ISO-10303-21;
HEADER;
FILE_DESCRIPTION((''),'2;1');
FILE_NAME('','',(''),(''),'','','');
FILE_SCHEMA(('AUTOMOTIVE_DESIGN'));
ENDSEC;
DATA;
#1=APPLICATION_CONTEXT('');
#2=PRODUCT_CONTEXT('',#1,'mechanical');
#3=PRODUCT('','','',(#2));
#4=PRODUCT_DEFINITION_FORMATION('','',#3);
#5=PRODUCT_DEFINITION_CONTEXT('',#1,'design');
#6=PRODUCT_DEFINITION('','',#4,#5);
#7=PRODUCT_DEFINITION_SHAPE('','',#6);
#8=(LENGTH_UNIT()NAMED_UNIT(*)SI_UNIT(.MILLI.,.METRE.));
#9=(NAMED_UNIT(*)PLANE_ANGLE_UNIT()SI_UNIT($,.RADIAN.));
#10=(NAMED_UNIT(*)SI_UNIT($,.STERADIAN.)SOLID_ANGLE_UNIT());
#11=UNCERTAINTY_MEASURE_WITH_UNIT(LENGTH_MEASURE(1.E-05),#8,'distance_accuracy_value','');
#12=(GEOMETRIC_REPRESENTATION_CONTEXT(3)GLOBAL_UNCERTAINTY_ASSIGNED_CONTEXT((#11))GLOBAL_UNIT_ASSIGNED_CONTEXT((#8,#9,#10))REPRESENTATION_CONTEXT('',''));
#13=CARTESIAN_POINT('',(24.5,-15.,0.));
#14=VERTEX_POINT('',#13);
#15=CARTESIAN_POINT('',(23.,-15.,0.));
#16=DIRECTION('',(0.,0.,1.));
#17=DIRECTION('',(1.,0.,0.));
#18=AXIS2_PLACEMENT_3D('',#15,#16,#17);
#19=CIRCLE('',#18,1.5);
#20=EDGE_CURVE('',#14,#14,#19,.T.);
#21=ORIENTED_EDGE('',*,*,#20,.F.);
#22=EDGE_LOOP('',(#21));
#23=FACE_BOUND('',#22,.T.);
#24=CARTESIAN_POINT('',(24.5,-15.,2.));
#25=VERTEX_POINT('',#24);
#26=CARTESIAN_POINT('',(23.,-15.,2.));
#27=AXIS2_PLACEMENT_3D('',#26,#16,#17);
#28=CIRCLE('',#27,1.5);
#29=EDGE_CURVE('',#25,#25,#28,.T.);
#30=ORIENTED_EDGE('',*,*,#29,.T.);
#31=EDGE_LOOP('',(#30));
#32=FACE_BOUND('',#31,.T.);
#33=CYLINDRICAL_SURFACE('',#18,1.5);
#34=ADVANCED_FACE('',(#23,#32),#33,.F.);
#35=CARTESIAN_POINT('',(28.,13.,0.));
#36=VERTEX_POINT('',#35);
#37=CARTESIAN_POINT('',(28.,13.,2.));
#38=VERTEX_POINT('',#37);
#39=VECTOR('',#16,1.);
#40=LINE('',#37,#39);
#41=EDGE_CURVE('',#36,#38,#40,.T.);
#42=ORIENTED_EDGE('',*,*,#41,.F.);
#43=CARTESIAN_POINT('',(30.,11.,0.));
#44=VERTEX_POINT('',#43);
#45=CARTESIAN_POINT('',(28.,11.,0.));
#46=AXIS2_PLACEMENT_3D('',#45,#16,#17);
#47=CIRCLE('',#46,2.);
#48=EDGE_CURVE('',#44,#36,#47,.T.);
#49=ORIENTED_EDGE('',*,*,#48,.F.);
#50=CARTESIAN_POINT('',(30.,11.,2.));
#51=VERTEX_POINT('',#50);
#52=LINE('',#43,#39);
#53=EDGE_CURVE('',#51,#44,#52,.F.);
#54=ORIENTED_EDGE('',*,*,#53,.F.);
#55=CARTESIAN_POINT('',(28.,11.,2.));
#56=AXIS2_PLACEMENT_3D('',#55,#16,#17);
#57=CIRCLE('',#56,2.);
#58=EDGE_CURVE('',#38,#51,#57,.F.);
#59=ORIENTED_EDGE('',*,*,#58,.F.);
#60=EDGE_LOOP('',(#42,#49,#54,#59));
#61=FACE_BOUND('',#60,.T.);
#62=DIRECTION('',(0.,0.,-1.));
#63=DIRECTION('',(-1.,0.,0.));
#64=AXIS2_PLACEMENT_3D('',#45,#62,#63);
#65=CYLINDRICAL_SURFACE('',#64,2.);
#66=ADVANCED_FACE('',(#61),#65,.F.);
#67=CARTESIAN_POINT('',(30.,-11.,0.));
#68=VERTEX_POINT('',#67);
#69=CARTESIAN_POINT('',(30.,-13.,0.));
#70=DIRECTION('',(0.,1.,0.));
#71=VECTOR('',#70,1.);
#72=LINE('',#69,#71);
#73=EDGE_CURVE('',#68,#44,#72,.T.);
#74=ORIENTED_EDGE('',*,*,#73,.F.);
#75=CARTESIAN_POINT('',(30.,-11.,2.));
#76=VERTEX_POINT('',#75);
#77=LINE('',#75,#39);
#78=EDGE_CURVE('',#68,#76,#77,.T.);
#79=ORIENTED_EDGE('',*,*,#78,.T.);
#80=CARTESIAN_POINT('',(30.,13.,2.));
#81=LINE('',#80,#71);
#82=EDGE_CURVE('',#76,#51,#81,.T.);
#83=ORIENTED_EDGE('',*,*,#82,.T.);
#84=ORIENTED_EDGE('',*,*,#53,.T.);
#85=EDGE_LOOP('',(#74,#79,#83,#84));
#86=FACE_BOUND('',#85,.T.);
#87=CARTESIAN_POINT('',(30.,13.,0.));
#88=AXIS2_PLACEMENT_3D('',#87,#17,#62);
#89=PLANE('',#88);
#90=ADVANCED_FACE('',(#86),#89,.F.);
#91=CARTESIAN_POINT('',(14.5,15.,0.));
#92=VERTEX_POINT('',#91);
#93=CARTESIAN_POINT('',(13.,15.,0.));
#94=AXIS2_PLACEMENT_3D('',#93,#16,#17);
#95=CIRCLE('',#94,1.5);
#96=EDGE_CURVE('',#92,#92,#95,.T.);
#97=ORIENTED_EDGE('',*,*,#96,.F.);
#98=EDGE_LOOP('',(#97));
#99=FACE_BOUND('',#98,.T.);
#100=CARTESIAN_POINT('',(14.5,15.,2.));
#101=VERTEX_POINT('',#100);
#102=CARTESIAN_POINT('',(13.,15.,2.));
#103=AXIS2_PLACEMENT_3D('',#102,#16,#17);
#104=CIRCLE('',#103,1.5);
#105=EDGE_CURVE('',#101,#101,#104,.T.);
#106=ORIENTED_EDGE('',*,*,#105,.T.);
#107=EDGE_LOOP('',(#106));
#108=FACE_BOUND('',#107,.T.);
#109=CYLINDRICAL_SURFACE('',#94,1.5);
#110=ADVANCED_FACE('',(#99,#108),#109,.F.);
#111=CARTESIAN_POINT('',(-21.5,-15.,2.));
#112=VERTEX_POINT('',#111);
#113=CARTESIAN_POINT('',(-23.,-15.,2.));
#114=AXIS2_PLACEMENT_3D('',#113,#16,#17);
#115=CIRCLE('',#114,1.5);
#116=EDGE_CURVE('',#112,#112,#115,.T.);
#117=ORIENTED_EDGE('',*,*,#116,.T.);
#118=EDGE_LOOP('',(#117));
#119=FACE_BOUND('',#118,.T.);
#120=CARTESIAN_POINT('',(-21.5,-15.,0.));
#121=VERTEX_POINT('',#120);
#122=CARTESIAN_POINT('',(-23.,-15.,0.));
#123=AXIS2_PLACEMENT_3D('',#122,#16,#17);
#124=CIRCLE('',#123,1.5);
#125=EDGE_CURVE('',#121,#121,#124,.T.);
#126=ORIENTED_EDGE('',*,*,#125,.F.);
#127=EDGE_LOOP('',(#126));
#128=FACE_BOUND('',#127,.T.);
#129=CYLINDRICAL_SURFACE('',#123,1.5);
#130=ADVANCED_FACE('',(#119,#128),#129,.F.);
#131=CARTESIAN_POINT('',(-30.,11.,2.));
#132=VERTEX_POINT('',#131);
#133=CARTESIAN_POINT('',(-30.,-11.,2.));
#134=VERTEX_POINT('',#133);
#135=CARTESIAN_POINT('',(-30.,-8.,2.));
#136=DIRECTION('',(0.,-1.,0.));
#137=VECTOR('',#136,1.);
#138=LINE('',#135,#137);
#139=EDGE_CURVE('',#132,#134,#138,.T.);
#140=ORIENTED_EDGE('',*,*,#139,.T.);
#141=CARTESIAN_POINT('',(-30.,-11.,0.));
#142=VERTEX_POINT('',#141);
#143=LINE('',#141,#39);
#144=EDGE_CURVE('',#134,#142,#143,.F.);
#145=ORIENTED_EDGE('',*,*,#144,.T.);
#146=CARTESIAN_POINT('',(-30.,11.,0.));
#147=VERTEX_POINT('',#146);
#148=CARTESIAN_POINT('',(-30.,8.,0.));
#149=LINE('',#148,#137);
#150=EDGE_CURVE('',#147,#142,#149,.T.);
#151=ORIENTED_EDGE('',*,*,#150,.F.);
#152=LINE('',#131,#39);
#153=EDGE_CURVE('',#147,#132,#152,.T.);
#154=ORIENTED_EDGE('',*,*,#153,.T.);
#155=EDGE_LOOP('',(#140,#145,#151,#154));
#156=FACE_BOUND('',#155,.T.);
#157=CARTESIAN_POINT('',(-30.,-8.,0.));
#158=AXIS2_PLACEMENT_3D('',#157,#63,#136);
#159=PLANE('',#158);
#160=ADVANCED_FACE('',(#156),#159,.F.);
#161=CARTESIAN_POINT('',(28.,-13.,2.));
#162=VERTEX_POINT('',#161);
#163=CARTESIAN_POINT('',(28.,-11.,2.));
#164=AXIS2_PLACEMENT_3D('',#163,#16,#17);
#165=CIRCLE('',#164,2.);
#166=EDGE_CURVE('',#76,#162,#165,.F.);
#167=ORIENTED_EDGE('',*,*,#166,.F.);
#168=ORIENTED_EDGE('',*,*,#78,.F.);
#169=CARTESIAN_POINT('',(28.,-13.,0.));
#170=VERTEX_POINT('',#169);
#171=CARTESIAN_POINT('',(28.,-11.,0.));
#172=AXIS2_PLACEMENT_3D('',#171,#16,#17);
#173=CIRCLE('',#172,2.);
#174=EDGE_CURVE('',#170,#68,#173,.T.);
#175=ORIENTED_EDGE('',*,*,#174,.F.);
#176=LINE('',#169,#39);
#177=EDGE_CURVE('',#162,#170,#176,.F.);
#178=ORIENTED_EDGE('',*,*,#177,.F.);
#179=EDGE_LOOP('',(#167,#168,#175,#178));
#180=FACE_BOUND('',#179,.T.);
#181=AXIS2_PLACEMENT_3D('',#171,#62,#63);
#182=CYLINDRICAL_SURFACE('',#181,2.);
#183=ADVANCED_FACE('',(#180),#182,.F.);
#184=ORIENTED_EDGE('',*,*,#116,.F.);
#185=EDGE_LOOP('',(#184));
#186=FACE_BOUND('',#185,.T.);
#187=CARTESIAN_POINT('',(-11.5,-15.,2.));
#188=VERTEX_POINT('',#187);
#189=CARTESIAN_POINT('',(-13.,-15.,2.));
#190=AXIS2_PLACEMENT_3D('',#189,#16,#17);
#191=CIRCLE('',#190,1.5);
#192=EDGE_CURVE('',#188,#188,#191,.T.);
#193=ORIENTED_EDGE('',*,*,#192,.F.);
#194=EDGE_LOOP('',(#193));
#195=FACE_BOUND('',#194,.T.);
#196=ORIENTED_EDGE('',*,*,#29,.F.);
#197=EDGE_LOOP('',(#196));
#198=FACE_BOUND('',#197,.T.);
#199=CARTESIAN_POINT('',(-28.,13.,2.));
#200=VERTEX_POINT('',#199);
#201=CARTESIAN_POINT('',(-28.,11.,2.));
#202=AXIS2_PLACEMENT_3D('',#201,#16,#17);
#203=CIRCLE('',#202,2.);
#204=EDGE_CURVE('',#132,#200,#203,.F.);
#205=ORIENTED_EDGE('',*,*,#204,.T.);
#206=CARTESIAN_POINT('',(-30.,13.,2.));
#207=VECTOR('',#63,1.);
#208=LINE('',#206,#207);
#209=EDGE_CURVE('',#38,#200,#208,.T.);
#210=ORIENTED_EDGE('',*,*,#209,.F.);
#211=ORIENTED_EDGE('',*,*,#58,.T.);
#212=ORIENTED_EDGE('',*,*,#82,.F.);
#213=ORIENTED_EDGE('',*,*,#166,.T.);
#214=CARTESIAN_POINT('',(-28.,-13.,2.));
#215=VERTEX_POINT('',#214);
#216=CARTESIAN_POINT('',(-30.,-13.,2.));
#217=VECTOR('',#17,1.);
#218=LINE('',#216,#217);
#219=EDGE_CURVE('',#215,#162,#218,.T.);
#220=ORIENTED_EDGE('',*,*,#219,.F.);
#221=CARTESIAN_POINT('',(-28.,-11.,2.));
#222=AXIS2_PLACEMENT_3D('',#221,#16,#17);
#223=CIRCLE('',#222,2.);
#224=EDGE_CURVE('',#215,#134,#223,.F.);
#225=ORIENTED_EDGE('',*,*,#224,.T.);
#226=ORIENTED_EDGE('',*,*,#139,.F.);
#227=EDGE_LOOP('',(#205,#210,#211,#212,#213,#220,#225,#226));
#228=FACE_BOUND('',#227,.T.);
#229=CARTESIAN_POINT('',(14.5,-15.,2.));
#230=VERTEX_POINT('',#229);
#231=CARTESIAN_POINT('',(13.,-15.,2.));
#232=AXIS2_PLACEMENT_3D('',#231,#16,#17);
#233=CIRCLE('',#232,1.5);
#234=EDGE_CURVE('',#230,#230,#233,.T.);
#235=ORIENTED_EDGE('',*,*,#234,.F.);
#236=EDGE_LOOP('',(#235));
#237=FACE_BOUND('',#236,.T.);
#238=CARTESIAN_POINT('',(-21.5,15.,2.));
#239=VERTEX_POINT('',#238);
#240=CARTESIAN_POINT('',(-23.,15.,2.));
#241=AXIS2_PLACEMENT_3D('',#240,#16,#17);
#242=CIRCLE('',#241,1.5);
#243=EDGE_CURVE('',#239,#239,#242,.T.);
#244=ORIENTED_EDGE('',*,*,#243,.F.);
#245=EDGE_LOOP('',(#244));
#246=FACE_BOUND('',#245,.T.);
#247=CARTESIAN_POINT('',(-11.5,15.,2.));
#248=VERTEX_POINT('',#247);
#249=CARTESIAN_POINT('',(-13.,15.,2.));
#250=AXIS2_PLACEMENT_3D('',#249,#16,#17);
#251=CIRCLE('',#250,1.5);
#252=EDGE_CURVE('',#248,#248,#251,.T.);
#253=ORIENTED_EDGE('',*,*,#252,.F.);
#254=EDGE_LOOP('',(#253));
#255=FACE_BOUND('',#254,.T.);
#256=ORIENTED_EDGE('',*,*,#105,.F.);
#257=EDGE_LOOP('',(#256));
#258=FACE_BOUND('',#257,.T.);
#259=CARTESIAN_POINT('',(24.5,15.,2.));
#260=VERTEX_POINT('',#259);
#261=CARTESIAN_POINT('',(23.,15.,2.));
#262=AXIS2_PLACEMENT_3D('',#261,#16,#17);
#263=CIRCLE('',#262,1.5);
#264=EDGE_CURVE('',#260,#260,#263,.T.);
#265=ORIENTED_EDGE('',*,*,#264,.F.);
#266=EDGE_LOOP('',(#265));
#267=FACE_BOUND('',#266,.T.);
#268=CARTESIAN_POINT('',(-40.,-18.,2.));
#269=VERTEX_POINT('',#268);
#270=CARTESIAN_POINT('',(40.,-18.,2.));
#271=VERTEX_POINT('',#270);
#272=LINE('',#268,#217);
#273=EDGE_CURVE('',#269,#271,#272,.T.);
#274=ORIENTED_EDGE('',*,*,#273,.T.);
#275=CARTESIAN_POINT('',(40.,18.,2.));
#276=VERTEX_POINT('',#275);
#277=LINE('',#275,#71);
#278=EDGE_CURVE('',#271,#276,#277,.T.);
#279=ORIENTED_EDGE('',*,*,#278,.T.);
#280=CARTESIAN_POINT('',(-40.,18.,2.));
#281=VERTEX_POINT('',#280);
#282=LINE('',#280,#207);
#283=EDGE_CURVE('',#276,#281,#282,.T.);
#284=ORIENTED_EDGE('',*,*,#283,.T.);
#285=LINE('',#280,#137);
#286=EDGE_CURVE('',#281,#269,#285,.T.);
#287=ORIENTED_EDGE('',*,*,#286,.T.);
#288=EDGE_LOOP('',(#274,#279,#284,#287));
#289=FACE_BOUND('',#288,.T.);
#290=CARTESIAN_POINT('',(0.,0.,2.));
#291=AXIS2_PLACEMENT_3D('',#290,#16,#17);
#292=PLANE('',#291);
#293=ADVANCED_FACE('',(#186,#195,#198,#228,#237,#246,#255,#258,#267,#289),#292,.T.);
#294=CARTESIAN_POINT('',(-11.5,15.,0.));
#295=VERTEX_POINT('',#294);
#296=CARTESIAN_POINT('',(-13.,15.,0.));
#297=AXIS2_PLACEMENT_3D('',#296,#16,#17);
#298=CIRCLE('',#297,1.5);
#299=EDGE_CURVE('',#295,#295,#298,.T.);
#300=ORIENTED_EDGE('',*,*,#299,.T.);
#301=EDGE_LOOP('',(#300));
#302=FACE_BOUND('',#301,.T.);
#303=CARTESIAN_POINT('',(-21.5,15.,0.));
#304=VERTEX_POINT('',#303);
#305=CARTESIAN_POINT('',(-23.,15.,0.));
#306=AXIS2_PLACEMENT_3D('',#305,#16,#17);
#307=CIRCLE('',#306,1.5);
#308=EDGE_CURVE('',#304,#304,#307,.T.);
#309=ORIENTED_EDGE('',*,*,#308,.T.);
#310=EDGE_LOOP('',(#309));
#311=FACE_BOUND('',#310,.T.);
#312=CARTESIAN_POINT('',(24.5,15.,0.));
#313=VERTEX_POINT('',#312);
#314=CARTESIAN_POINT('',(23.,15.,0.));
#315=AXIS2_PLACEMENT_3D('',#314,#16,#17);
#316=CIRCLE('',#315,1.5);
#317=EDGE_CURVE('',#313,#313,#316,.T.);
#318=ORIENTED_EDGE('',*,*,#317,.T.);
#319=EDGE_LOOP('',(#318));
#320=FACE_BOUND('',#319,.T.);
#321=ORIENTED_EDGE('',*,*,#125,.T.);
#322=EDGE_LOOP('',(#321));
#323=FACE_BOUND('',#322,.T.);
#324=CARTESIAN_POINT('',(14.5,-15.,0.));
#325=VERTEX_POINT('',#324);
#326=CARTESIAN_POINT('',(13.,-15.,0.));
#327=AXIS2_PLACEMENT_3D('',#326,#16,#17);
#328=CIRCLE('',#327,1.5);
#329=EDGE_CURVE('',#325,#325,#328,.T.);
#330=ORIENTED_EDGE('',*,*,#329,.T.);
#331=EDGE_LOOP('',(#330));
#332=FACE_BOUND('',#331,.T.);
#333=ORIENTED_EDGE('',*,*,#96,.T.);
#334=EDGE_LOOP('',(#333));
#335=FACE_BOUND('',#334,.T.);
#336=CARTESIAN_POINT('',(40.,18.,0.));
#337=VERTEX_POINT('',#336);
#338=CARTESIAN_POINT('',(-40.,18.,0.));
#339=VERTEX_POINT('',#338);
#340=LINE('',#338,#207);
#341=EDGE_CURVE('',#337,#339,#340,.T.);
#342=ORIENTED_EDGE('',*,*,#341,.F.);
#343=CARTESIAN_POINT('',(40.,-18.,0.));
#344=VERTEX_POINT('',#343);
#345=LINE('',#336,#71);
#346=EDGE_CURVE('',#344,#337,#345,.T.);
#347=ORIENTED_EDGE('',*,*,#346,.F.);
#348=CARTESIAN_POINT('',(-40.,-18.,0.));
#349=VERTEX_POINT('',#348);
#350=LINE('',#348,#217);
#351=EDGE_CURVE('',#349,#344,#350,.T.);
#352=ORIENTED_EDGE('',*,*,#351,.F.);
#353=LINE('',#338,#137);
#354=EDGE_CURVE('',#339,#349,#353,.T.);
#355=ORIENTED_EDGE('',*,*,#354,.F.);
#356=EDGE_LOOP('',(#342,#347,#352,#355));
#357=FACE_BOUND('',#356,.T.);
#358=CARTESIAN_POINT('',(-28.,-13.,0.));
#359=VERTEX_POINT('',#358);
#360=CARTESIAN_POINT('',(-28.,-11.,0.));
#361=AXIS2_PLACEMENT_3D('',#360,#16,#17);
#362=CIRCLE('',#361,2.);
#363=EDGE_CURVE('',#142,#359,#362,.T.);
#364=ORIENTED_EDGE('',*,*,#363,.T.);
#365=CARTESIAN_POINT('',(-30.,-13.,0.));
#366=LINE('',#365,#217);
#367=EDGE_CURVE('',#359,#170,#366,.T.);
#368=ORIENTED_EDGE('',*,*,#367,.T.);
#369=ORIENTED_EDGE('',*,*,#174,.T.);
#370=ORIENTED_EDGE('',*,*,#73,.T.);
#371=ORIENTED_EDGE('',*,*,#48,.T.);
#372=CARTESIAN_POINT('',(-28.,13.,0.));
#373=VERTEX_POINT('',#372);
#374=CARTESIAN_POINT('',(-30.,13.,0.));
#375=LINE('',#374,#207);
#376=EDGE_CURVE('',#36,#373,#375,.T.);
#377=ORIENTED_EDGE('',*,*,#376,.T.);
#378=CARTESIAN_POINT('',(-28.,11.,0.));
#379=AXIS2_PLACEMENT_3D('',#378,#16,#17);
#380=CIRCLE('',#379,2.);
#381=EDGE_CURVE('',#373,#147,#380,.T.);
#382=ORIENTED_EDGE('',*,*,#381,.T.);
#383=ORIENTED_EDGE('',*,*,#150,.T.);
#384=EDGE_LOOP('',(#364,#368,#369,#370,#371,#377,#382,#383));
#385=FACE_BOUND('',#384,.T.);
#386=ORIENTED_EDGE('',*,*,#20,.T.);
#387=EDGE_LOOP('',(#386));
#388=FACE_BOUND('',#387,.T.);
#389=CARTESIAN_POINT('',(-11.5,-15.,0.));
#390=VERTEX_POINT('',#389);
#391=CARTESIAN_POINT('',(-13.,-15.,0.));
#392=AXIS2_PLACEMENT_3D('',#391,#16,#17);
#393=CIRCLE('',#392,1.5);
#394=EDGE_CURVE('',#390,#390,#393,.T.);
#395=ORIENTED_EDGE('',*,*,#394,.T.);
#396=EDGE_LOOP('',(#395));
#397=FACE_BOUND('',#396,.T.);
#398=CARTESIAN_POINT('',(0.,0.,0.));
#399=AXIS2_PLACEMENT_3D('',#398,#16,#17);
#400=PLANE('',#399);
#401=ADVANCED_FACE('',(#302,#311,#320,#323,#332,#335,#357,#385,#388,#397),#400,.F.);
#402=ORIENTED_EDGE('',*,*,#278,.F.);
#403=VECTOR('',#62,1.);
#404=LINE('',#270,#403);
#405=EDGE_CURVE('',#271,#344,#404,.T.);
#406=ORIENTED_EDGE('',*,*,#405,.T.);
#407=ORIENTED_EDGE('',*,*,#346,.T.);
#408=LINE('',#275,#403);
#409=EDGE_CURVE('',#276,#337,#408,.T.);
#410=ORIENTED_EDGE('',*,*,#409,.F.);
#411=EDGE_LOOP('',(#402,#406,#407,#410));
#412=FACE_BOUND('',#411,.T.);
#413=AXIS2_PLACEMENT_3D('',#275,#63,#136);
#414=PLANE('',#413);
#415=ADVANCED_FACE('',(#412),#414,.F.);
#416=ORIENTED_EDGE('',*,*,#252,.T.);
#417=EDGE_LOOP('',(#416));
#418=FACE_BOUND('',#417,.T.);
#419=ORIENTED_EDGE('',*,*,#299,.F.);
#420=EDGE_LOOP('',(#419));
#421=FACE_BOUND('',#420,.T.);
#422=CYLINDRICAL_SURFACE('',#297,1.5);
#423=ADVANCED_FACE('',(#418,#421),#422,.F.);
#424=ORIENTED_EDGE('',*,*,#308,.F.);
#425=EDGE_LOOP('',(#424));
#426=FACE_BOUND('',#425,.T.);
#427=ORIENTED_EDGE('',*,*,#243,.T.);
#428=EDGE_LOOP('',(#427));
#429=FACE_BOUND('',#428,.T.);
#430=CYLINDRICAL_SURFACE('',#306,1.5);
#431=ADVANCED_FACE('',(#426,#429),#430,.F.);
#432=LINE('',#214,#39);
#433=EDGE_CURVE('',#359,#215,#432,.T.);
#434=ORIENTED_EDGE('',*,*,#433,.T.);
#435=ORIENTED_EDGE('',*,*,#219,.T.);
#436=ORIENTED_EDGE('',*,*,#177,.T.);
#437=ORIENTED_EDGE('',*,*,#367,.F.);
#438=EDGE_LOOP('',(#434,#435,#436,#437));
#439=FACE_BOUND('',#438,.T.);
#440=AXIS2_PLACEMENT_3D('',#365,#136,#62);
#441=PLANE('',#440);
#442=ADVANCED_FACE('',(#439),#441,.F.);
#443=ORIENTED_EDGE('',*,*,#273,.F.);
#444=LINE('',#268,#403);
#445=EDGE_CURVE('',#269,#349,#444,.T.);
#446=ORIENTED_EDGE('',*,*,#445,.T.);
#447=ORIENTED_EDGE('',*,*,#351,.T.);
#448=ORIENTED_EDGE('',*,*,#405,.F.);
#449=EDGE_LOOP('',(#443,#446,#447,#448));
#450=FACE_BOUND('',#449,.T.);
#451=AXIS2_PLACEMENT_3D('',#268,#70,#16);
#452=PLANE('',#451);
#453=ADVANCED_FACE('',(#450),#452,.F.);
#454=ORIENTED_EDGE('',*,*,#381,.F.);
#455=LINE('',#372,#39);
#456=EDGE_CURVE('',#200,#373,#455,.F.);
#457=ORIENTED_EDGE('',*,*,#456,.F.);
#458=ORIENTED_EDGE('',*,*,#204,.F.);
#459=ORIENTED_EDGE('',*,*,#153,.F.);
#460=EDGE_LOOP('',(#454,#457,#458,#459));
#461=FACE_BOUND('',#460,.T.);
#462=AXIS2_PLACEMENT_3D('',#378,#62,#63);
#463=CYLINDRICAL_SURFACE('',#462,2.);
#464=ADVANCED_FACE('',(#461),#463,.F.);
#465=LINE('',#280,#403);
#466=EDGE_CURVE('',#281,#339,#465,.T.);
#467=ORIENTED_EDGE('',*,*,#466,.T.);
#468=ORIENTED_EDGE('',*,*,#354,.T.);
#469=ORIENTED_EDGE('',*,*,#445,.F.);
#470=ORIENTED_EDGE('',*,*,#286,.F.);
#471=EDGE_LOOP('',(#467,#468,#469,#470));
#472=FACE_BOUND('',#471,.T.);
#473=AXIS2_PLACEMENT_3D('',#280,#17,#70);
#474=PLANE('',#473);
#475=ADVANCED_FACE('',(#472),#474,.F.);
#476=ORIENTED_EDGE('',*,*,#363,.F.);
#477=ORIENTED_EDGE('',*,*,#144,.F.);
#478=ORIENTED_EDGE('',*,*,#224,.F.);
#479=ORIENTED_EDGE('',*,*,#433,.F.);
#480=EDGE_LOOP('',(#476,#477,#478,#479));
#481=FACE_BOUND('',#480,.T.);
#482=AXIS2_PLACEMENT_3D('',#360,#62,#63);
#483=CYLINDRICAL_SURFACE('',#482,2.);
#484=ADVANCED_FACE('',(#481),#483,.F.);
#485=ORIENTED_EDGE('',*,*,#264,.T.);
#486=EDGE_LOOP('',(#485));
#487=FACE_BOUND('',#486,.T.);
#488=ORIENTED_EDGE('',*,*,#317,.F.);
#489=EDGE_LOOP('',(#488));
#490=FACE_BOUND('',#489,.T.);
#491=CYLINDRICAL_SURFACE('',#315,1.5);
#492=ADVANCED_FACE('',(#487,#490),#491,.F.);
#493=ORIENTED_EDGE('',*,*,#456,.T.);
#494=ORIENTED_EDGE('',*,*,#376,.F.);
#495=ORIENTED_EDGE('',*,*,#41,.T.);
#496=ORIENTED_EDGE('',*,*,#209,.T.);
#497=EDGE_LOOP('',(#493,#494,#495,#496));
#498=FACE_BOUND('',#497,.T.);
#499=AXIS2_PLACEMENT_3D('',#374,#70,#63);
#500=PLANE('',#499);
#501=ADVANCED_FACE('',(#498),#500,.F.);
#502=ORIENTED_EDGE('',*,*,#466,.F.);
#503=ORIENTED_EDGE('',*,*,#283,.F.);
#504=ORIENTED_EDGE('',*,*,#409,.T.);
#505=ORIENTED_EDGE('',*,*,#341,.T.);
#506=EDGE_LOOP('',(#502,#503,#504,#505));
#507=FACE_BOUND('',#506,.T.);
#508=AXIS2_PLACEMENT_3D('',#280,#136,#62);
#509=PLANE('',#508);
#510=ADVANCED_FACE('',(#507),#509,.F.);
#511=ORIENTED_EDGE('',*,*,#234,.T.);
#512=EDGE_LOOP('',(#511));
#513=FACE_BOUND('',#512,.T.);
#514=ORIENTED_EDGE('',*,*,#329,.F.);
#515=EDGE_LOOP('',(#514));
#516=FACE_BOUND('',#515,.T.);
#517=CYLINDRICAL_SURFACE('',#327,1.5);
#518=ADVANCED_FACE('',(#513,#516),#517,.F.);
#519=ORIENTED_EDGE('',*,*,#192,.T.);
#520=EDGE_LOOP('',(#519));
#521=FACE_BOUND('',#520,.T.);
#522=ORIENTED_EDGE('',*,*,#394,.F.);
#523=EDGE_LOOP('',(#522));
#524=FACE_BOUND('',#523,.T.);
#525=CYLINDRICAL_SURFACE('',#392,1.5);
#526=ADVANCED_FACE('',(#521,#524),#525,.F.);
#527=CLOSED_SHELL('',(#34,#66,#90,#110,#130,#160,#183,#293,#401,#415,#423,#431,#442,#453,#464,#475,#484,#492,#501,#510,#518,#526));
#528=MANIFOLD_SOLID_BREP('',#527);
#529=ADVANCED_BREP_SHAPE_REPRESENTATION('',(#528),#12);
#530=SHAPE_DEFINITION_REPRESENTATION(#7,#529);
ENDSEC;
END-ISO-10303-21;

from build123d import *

# Parameters (mm, degrees)
SKETCH_1_W          = 80
SKETCH_1_H          = 36
EXTRUDE_1_DEPTH     = 2
CUT_EXTRUDE_1_DEPTH = 2
FILLET_2_R          = 2
SKETCH_3_R          = 1.5
CUT_EXTRUDE_2_DEPTH = 44.9089968


with BuildPart() as part:
    # 草图1 → 凸台-拉伸1 (new body)
    with BuildSketch(Plane.XY):
        Rectangle(SKETCH_1_W, SKETCH_1_H)
    extrude(amount=EXTRUDE_1_DEPTH)

    # 草图2 → 切除-拉伸1 (cut)
    with BuildSketch(Plane.XY.offset(2)):
        Polygon((-30, -8), (-30, -13), (30, -13), (30, -8), (30, 8), (30, 13), (-30, 13), (-30, 8), align=None)
    extrude(amount=-CUT_EXTRUDE_1_DEPTH, mode=Mode.SUBTRACT)

    # 圆角2
    fillet_2_edges = [part.edges().sort_by_distance(p)[0] for p in [
        (30, -13, 1),
        (-30, -13, 1),
        (-30, 13, 1),
        (30, 13, 1),
    ]]
    fillet(fillet_2_edges, radius=FILLET_2_R)

    # 草图3 → 切除-拉伸2 (cut, through all)
    with BuildSketch(Plane.XY.offset(2)):
        with Locations((23, -15)):
            Circle(SKETCH_3_R)
        with Locations((13, -15)):
            Circle(SKETCH_3_R)
        with Locations((-13, -15)):
            Circle(SKETCH_3_R)
        with Locations((-23, -15)):
            Circle(SKETCH_3_R)
        with Locations((23, 15)):
            Circle(SKETCH_3_R)
        with Locations((13, 15)):
            Circle(SKETCH_3_R)
        with Locations((-13, 15)):
            Circle(SKETCH_3_R)
        with Locations((-23, 15)):
            Circle(SKETCH_3_R)
    extrude(amount=-CUT_EXTRUDE_2_DEPTH, mode=Mode.SUBTRACT)


solid = part.part
